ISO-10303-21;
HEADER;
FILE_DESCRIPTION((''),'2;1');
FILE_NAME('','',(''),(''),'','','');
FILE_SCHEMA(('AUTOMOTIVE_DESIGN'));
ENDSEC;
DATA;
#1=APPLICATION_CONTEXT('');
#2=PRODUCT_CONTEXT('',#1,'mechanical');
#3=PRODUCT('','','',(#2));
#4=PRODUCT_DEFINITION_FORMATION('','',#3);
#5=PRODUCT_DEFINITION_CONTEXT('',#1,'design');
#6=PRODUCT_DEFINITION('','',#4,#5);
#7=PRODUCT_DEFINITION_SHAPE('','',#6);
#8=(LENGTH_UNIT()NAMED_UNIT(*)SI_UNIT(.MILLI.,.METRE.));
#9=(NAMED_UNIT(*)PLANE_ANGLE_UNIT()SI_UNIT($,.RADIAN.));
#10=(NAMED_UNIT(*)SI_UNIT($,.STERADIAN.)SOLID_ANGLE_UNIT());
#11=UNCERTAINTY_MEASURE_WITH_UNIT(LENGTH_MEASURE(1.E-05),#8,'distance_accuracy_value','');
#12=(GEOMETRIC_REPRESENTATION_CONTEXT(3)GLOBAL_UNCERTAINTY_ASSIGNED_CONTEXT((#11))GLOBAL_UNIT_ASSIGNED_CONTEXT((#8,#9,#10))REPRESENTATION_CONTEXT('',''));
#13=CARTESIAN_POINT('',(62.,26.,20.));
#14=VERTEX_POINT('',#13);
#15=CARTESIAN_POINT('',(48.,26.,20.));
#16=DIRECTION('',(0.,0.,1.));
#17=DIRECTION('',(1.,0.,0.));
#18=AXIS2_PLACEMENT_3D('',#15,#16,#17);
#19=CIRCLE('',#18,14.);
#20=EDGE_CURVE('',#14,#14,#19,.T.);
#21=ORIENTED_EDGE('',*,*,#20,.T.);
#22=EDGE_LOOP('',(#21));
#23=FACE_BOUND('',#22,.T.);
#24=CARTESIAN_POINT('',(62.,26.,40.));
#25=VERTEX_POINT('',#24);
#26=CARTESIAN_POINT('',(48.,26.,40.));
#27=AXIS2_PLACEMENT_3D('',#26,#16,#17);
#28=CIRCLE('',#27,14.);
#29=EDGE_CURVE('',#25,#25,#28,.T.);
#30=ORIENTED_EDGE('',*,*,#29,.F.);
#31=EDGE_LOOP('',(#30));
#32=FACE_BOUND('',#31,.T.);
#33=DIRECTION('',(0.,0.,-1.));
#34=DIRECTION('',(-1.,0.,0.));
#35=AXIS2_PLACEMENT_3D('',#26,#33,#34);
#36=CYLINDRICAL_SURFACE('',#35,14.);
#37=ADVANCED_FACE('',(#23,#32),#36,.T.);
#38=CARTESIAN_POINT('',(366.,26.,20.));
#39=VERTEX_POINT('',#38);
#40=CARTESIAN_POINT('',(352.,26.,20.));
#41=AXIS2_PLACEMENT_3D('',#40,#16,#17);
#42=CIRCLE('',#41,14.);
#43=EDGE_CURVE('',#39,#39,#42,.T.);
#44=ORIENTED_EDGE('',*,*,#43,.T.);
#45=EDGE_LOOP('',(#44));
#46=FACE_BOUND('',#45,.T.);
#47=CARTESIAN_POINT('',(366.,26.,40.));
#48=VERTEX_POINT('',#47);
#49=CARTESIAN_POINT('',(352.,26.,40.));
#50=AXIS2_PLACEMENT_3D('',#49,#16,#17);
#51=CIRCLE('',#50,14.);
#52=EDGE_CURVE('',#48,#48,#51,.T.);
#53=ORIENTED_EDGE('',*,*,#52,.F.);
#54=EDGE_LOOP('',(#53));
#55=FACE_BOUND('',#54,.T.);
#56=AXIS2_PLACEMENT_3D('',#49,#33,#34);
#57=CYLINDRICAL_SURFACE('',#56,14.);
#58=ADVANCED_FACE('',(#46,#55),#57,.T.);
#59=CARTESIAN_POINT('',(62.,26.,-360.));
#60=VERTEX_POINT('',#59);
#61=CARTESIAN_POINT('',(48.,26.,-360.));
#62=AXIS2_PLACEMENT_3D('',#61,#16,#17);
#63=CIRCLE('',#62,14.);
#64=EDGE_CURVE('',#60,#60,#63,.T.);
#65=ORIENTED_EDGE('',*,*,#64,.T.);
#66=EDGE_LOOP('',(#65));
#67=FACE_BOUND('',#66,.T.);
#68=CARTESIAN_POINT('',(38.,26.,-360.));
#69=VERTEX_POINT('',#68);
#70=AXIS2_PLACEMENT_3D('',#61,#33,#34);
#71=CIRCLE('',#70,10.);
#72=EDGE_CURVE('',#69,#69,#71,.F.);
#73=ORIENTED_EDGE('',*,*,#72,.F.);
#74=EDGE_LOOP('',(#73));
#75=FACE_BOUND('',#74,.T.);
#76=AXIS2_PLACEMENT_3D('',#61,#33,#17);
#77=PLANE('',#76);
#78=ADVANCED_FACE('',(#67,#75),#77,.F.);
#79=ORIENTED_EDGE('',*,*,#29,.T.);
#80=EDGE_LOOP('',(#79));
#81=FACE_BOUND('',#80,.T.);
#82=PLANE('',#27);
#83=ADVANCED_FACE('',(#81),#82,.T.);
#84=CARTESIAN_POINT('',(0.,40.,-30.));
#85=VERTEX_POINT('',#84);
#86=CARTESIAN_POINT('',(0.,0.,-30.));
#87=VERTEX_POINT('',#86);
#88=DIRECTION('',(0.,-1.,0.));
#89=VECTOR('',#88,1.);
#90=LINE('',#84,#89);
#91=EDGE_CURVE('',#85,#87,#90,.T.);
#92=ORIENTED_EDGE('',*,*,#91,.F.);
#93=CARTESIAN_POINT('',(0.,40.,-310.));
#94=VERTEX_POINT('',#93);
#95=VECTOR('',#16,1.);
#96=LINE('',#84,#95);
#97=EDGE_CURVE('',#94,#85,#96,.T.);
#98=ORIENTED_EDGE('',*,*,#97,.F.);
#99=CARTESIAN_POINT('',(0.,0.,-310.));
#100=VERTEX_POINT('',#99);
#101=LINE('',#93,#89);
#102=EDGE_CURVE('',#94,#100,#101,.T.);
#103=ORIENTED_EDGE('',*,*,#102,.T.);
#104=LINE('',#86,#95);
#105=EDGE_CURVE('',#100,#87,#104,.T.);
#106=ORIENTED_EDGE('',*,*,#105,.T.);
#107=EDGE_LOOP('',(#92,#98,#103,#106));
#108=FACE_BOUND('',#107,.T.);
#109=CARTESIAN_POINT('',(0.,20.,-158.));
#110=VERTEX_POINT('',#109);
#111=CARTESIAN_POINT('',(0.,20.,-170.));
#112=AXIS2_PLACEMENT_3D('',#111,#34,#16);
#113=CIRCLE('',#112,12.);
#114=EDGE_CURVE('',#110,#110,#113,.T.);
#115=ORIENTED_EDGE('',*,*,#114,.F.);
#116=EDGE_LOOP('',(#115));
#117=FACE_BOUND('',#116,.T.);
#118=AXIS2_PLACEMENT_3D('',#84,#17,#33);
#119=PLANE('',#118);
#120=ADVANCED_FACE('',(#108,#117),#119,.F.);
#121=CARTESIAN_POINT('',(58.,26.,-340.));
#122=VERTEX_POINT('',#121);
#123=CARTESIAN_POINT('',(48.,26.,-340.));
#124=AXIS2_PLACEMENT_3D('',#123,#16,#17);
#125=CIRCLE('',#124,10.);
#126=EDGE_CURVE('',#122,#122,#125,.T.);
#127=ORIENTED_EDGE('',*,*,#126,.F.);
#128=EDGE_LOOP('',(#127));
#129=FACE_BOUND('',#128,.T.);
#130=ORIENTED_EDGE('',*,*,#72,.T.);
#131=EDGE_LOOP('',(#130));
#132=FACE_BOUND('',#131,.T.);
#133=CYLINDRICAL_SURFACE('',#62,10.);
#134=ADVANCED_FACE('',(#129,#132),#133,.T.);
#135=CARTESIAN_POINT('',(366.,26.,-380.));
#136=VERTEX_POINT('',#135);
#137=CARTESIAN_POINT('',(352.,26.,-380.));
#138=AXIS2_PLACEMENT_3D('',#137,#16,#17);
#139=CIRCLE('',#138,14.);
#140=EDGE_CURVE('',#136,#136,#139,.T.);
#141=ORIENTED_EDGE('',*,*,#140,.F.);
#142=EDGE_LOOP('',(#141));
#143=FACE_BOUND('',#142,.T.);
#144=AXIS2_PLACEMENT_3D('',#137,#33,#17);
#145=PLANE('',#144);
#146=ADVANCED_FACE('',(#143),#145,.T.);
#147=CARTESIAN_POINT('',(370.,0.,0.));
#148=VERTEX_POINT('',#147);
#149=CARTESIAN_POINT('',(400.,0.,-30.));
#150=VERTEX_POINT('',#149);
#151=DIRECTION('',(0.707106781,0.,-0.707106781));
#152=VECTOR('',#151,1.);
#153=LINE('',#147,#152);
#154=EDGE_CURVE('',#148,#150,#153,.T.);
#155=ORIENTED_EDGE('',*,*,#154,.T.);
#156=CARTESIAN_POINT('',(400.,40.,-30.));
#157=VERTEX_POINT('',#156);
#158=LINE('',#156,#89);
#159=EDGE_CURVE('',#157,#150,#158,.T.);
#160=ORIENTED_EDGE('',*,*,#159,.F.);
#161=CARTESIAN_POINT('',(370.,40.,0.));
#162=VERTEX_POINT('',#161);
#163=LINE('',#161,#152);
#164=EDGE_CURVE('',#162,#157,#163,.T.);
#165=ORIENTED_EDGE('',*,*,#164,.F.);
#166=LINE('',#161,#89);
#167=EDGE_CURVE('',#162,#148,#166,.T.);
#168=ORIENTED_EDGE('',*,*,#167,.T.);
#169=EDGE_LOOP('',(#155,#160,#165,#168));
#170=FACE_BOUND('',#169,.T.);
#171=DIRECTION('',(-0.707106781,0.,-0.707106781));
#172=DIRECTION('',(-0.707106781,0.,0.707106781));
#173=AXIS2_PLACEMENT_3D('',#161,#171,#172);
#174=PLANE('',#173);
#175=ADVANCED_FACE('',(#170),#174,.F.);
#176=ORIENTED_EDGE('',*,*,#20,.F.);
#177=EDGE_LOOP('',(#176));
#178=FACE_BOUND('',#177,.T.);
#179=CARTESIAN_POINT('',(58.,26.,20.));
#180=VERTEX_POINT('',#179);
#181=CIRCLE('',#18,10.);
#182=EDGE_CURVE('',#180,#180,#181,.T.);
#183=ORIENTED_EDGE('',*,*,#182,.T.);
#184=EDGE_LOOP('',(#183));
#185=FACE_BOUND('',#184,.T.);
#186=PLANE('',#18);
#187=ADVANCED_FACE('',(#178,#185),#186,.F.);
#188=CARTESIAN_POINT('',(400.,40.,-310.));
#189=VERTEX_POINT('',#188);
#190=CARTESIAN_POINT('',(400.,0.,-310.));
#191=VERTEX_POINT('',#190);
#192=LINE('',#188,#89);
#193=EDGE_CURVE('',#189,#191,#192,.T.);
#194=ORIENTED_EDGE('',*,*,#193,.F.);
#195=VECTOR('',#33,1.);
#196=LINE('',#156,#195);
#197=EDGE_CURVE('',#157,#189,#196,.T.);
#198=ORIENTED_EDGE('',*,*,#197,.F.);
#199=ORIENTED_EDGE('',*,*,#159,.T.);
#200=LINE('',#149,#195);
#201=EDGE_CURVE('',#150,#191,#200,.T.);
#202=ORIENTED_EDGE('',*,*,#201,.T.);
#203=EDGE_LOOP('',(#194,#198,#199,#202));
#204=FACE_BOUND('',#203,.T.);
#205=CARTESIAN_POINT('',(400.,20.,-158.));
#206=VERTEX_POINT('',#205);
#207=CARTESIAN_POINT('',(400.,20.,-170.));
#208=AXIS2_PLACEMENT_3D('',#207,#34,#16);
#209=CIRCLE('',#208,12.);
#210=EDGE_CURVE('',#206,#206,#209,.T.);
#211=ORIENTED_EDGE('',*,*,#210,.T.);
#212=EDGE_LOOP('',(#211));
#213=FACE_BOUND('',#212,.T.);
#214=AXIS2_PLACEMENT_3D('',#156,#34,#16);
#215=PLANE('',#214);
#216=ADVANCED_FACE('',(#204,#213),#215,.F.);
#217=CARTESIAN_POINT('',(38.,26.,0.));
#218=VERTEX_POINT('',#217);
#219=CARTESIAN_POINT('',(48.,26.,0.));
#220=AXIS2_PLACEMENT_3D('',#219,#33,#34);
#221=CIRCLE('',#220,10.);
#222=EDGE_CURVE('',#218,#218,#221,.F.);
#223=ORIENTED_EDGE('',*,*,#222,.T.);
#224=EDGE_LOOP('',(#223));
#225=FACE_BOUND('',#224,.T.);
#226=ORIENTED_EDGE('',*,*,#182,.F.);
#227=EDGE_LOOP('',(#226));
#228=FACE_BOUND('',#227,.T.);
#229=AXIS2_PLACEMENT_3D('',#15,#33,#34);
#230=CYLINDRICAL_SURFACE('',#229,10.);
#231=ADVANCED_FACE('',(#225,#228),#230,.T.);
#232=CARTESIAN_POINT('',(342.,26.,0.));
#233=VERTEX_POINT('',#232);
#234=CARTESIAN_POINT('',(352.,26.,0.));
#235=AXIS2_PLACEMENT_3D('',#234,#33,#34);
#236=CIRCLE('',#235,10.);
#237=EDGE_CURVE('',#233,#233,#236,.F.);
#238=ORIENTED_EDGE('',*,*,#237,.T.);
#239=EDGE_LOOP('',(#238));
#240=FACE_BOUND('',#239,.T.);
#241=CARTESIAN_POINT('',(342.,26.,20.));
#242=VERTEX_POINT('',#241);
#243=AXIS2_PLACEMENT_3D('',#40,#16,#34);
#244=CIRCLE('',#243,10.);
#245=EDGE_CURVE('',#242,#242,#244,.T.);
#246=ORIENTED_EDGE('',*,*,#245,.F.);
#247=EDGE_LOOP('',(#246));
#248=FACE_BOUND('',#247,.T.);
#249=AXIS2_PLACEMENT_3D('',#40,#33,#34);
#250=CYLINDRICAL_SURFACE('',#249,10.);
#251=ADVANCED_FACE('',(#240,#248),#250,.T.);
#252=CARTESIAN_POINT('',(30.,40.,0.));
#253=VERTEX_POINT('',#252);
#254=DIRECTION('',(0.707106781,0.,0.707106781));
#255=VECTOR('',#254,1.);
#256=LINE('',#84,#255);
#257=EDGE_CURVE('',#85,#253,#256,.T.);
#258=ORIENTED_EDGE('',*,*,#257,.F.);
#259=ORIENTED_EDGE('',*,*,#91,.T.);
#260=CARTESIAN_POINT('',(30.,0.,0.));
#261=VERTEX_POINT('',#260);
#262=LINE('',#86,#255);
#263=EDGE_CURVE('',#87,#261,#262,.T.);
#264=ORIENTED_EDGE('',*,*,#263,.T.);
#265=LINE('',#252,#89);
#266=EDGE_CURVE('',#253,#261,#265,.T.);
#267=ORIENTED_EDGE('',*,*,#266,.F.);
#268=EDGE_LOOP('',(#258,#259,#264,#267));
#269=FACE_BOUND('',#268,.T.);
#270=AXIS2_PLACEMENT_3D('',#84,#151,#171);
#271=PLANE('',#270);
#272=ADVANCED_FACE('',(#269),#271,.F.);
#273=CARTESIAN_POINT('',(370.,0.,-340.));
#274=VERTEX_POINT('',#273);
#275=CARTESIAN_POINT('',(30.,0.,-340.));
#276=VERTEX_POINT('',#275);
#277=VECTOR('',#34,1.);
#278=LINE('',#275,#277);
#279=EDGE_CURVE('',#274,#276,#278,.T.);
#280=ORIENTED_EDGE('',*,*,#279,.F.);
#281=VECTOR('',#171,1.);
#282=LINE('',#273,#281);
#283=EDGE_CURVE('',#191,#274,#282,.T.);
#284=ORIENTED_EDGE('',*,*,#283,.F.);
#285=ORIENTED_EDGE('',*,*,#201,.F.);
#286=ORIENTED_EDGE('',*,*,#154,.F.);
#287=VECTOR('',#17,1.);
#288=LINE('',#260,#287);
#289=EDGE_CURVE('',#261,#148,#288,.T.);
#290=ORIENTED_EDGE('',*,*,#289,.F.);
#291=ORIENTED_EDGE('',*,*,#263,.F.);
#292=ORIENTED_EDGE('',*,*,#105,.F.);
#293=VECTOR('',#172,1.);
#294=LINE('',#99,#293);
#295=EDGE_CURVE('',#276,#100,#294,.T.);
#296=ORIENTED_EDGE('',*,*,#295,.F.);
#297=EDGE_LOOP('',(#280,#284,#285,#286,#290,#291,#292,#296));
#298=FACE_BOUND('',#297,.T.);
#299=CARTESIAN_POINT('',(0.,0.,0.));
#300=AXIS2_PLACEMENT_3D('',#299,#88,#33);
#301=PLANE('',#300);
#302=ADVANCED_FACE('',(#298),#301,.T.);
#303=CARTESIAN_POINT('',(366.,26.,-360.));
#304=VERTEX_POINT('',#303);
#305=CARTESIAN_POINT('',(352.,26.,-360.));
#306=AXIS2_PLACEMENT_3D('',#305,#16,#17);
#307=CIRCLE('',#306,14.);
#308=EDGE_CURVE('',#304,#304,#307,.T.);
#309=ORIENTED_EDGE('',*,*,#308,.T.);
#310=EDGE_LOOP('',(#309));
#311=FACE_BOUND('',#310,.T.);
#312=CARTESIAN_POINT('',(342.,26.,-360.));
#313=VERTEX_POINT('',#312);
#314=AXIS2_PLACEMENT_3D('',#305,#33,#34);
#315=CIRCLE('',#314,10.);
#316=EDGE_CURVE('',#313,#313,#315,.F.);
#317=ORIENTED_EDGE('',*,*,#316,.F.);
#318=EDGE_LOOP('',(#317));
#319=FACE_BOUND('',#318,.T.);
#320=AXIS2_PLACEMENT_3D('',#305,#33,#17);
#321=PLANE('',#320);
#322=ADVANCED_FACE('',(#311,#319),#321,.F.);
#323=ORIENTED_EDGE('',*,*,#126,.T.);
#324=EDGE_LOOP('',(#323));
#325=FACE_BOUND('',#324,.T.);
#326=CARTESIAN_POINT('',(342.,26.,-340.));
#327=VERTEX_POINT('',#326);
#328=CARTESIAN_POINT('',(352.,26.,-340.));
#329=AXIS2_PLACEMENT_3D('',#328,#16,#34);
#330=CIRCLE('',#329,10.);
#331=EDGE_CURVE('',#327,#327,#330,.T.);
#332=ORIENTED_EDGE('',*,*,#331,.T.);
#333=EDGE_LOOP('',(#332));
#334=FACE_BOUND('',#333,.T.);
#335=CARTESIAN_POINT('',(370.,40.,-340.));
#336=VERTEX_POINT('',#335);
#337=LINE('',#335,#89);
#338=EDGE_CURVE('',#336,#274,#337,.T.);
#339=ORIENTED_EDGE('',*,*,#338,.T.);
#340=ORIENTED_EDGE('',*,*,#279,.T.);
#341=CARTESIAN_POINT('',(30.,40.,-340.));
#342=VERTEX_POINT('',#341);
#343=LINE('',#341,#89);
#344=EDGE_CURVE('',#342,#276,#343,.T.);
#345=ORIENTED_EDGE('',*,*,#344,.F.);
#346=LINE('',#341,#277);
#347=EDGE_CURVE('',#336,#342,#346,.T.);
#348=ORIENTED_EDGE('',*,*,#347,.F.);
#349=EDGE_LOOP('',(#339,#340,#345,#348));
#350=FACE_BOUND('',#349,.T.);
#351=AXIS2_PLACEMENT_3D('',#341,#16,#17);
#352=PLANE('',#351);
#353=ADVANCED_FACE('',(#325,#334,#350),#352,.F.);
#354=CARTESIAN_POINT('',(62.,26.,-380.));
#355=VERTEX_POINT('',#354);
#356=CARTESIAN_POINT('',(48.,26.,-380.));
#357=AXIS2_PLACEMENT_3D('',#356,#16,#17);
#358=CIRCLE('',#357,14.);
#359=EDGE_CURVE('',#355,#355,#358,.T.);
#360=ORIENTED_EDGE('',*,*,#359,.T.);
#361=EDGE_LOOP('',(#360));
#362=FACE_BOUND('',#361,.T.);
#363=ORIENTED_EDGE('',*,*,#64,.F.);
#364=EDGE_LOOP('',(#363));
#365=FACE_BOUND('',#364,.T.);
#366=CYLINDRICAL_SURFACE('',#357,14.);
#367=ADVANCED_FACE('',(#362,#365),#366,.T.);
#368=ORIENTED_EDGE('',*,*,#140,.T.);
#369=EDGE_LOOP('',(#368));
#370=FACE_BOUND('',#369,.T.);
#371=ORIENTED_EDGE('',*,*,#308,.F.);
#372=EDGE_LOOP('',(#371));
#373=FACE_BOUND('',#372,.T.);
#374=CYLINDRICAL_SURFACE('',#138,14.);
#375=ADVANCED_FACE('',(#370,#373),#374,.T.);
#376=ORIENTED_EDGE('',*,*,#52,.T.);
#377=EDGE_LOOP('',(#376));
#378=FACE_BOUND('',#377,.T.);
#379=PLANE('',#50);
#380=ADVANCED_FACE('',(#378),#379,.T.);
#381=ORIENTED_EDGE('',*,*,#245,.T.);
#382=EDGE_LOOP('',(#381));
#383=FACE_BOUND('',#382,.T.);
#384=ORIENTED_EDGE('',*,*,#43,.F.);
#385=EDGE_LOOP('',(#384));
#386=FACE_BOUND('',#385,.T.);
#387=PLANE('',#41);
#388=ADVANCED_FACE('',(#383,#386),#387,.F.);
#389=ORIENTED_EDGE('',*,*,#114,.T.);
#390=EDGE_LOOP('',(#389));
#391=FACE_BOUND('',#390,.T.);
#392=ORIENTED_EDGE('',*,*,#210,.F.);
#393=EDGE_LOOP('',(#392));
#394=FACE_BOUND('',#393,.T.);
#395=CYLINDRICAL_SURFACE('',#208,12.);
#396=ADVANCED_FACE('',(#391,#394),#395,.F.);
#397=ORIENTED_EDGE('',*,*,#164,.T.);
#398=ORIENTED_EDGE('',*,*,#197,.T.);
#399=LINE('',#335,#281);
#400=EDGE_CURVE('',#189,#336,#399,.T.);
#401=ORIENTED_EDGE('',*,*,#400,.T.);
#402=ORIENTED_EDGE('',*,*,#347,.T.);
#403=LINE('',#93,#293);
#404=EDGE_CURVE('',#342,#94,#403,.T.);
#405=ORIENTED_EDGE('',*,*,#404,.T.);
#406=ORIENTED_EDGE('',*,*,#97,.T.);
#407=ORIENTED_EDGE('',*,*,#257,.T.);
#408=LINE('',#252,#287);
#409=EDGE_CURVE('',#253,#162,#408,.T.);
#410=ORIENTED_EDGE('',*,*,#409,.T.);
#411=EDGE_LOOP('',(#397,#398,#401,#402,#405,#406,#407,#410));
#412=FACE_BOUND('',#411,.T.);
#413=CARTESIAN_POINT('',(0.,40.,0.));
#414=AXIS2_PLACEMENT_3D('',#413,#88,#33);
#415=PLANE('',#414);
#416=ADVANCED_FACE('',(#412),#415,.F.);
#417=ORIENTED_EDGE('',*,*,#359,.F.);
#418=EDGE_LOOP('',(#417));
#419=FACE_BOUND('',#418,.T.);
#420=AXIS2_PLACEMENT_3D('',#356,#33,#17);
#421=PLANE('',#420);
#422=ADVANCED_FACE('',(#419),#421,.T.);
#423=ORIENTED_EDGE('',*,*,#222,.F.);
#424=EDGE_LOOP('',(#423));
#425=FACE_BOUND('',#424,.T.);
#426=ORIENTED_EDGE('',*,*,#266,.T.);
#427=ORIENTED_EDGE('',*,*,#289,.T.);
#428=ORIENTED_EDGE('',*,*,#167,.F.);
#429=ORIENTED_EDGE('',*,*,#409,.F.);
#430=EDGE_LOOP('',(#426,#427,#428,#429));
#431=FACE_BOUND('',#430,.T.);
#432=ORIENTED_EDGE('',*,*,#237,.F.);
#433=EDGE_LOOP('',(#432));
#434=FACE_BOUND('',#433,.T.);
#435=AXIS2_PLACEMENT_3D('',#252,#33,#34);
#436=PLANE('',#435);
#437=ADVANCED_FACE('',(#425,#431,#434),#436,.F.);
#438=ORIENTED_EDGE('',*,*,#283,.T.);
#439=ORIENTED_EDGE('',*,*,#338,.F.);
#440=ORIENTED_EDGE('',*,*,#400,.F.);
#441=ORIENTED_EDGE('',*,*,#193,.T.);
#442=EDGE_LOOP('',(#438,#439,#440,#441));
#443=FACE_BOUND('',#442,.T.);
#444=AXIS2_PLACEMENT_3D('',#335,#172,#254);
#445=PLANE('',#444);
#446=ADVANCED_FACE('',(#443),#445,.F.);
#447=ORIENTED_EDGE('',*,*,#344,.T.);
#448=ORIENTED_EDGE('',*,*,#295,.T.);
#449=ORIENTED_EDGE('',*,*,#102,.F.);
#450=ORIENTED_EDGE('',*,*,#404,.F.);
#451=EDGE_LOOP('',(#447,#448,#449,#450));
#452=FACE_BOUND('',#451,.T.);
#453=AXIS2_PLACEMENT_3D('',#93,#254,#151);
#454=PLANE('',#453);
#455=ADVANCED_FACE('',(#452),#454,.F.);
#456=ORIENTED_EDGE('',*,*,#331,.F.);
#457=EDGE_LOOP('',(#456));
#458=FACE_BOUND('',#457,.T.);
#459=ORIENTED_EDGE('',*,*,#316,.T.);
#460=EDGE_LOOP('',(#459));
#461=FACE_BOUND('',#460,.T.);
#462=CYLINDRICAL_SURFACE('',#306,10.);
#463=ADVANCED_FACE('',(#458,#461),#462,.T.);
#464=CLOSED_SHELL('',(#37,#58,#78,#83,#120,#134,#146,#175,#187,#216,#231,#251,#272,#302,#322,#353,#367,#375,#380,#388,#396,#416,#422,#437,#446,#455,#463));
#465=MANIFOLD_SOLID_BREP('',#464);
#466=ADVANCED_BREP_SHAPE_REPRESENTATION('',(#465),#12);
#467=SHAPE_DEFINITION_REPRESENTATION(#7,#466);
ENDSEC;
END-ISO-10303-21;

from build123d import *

# Parameters (mm, degrees)
BOSS_EXTRUDE1_DEPTH = 40
SKETCH2_R           = 12
CUT_EXTRUDE1_DEPTH  = 401
SKETCH3_R           = 10
BOSS_EXTRUDE2_DEPTH = 20
SKETCH4_R           = 14
BOSS_EXTRUDE3_DEPTH = 20


with BuildPart() as part:
    # Sketch1 → Boss-Extrude1 (new body)
    with BuildSketch(Plane(origin=(0, 0, 0), x_dir=(1, 0, 0), z_dir=(0, 1, 0))):
        Polygon((0, 310), (30, 340), (370, 340), (400, 310), (400, 30), (370, 0), (30, 0), (0, 30), align=None)
    extrude(amount=BOSS_EXTRUDE1_DEPTH)

    # Sketch2 → Cut-Extrude1 (cut, through all)
    with BuildSketch(Plane.ZY):
        with Locations((-170, 20)):
            Circle(SKETCH2_R)
    extrude(amount=-CUT_EXTRUDE1_DEPTH, mode=Mode.SUBTRACT)

    # Sketch3 → Boss-Extrude2 (add)
    with BuildSketch(Plane.XY):
        with Locations((48, 26)):
            Circle(SKETCH3_R)
        with Locations((352, 26)):
            Circle(SKETCH3_R)
    boss_extrude2 = extrude(amount=BOSS_EXTRUDE2_DEPTH)

    # Sketch4 → Boss-Extrude3 (add)
    with BuildSketch(Plane.XY.offset(20)):
        with Locations((48, 26)):
            Circle(SKETCH4_R)
        with Locations((352, 26)):
            Circle(SKETCH4_R)
    boss_extrude3 = extrude(amount=BOSS_EXTRUDE3_DEPTH)

    # Mirror1: Boss-Extrude2, Boss-Extrude3 across plane
    add(boss_extrude2.mirror(Plane.XY.offset(-170)))
    add(boss_extrude3.mirror(Plane.XY.offset(-170)))


solid = part.part
